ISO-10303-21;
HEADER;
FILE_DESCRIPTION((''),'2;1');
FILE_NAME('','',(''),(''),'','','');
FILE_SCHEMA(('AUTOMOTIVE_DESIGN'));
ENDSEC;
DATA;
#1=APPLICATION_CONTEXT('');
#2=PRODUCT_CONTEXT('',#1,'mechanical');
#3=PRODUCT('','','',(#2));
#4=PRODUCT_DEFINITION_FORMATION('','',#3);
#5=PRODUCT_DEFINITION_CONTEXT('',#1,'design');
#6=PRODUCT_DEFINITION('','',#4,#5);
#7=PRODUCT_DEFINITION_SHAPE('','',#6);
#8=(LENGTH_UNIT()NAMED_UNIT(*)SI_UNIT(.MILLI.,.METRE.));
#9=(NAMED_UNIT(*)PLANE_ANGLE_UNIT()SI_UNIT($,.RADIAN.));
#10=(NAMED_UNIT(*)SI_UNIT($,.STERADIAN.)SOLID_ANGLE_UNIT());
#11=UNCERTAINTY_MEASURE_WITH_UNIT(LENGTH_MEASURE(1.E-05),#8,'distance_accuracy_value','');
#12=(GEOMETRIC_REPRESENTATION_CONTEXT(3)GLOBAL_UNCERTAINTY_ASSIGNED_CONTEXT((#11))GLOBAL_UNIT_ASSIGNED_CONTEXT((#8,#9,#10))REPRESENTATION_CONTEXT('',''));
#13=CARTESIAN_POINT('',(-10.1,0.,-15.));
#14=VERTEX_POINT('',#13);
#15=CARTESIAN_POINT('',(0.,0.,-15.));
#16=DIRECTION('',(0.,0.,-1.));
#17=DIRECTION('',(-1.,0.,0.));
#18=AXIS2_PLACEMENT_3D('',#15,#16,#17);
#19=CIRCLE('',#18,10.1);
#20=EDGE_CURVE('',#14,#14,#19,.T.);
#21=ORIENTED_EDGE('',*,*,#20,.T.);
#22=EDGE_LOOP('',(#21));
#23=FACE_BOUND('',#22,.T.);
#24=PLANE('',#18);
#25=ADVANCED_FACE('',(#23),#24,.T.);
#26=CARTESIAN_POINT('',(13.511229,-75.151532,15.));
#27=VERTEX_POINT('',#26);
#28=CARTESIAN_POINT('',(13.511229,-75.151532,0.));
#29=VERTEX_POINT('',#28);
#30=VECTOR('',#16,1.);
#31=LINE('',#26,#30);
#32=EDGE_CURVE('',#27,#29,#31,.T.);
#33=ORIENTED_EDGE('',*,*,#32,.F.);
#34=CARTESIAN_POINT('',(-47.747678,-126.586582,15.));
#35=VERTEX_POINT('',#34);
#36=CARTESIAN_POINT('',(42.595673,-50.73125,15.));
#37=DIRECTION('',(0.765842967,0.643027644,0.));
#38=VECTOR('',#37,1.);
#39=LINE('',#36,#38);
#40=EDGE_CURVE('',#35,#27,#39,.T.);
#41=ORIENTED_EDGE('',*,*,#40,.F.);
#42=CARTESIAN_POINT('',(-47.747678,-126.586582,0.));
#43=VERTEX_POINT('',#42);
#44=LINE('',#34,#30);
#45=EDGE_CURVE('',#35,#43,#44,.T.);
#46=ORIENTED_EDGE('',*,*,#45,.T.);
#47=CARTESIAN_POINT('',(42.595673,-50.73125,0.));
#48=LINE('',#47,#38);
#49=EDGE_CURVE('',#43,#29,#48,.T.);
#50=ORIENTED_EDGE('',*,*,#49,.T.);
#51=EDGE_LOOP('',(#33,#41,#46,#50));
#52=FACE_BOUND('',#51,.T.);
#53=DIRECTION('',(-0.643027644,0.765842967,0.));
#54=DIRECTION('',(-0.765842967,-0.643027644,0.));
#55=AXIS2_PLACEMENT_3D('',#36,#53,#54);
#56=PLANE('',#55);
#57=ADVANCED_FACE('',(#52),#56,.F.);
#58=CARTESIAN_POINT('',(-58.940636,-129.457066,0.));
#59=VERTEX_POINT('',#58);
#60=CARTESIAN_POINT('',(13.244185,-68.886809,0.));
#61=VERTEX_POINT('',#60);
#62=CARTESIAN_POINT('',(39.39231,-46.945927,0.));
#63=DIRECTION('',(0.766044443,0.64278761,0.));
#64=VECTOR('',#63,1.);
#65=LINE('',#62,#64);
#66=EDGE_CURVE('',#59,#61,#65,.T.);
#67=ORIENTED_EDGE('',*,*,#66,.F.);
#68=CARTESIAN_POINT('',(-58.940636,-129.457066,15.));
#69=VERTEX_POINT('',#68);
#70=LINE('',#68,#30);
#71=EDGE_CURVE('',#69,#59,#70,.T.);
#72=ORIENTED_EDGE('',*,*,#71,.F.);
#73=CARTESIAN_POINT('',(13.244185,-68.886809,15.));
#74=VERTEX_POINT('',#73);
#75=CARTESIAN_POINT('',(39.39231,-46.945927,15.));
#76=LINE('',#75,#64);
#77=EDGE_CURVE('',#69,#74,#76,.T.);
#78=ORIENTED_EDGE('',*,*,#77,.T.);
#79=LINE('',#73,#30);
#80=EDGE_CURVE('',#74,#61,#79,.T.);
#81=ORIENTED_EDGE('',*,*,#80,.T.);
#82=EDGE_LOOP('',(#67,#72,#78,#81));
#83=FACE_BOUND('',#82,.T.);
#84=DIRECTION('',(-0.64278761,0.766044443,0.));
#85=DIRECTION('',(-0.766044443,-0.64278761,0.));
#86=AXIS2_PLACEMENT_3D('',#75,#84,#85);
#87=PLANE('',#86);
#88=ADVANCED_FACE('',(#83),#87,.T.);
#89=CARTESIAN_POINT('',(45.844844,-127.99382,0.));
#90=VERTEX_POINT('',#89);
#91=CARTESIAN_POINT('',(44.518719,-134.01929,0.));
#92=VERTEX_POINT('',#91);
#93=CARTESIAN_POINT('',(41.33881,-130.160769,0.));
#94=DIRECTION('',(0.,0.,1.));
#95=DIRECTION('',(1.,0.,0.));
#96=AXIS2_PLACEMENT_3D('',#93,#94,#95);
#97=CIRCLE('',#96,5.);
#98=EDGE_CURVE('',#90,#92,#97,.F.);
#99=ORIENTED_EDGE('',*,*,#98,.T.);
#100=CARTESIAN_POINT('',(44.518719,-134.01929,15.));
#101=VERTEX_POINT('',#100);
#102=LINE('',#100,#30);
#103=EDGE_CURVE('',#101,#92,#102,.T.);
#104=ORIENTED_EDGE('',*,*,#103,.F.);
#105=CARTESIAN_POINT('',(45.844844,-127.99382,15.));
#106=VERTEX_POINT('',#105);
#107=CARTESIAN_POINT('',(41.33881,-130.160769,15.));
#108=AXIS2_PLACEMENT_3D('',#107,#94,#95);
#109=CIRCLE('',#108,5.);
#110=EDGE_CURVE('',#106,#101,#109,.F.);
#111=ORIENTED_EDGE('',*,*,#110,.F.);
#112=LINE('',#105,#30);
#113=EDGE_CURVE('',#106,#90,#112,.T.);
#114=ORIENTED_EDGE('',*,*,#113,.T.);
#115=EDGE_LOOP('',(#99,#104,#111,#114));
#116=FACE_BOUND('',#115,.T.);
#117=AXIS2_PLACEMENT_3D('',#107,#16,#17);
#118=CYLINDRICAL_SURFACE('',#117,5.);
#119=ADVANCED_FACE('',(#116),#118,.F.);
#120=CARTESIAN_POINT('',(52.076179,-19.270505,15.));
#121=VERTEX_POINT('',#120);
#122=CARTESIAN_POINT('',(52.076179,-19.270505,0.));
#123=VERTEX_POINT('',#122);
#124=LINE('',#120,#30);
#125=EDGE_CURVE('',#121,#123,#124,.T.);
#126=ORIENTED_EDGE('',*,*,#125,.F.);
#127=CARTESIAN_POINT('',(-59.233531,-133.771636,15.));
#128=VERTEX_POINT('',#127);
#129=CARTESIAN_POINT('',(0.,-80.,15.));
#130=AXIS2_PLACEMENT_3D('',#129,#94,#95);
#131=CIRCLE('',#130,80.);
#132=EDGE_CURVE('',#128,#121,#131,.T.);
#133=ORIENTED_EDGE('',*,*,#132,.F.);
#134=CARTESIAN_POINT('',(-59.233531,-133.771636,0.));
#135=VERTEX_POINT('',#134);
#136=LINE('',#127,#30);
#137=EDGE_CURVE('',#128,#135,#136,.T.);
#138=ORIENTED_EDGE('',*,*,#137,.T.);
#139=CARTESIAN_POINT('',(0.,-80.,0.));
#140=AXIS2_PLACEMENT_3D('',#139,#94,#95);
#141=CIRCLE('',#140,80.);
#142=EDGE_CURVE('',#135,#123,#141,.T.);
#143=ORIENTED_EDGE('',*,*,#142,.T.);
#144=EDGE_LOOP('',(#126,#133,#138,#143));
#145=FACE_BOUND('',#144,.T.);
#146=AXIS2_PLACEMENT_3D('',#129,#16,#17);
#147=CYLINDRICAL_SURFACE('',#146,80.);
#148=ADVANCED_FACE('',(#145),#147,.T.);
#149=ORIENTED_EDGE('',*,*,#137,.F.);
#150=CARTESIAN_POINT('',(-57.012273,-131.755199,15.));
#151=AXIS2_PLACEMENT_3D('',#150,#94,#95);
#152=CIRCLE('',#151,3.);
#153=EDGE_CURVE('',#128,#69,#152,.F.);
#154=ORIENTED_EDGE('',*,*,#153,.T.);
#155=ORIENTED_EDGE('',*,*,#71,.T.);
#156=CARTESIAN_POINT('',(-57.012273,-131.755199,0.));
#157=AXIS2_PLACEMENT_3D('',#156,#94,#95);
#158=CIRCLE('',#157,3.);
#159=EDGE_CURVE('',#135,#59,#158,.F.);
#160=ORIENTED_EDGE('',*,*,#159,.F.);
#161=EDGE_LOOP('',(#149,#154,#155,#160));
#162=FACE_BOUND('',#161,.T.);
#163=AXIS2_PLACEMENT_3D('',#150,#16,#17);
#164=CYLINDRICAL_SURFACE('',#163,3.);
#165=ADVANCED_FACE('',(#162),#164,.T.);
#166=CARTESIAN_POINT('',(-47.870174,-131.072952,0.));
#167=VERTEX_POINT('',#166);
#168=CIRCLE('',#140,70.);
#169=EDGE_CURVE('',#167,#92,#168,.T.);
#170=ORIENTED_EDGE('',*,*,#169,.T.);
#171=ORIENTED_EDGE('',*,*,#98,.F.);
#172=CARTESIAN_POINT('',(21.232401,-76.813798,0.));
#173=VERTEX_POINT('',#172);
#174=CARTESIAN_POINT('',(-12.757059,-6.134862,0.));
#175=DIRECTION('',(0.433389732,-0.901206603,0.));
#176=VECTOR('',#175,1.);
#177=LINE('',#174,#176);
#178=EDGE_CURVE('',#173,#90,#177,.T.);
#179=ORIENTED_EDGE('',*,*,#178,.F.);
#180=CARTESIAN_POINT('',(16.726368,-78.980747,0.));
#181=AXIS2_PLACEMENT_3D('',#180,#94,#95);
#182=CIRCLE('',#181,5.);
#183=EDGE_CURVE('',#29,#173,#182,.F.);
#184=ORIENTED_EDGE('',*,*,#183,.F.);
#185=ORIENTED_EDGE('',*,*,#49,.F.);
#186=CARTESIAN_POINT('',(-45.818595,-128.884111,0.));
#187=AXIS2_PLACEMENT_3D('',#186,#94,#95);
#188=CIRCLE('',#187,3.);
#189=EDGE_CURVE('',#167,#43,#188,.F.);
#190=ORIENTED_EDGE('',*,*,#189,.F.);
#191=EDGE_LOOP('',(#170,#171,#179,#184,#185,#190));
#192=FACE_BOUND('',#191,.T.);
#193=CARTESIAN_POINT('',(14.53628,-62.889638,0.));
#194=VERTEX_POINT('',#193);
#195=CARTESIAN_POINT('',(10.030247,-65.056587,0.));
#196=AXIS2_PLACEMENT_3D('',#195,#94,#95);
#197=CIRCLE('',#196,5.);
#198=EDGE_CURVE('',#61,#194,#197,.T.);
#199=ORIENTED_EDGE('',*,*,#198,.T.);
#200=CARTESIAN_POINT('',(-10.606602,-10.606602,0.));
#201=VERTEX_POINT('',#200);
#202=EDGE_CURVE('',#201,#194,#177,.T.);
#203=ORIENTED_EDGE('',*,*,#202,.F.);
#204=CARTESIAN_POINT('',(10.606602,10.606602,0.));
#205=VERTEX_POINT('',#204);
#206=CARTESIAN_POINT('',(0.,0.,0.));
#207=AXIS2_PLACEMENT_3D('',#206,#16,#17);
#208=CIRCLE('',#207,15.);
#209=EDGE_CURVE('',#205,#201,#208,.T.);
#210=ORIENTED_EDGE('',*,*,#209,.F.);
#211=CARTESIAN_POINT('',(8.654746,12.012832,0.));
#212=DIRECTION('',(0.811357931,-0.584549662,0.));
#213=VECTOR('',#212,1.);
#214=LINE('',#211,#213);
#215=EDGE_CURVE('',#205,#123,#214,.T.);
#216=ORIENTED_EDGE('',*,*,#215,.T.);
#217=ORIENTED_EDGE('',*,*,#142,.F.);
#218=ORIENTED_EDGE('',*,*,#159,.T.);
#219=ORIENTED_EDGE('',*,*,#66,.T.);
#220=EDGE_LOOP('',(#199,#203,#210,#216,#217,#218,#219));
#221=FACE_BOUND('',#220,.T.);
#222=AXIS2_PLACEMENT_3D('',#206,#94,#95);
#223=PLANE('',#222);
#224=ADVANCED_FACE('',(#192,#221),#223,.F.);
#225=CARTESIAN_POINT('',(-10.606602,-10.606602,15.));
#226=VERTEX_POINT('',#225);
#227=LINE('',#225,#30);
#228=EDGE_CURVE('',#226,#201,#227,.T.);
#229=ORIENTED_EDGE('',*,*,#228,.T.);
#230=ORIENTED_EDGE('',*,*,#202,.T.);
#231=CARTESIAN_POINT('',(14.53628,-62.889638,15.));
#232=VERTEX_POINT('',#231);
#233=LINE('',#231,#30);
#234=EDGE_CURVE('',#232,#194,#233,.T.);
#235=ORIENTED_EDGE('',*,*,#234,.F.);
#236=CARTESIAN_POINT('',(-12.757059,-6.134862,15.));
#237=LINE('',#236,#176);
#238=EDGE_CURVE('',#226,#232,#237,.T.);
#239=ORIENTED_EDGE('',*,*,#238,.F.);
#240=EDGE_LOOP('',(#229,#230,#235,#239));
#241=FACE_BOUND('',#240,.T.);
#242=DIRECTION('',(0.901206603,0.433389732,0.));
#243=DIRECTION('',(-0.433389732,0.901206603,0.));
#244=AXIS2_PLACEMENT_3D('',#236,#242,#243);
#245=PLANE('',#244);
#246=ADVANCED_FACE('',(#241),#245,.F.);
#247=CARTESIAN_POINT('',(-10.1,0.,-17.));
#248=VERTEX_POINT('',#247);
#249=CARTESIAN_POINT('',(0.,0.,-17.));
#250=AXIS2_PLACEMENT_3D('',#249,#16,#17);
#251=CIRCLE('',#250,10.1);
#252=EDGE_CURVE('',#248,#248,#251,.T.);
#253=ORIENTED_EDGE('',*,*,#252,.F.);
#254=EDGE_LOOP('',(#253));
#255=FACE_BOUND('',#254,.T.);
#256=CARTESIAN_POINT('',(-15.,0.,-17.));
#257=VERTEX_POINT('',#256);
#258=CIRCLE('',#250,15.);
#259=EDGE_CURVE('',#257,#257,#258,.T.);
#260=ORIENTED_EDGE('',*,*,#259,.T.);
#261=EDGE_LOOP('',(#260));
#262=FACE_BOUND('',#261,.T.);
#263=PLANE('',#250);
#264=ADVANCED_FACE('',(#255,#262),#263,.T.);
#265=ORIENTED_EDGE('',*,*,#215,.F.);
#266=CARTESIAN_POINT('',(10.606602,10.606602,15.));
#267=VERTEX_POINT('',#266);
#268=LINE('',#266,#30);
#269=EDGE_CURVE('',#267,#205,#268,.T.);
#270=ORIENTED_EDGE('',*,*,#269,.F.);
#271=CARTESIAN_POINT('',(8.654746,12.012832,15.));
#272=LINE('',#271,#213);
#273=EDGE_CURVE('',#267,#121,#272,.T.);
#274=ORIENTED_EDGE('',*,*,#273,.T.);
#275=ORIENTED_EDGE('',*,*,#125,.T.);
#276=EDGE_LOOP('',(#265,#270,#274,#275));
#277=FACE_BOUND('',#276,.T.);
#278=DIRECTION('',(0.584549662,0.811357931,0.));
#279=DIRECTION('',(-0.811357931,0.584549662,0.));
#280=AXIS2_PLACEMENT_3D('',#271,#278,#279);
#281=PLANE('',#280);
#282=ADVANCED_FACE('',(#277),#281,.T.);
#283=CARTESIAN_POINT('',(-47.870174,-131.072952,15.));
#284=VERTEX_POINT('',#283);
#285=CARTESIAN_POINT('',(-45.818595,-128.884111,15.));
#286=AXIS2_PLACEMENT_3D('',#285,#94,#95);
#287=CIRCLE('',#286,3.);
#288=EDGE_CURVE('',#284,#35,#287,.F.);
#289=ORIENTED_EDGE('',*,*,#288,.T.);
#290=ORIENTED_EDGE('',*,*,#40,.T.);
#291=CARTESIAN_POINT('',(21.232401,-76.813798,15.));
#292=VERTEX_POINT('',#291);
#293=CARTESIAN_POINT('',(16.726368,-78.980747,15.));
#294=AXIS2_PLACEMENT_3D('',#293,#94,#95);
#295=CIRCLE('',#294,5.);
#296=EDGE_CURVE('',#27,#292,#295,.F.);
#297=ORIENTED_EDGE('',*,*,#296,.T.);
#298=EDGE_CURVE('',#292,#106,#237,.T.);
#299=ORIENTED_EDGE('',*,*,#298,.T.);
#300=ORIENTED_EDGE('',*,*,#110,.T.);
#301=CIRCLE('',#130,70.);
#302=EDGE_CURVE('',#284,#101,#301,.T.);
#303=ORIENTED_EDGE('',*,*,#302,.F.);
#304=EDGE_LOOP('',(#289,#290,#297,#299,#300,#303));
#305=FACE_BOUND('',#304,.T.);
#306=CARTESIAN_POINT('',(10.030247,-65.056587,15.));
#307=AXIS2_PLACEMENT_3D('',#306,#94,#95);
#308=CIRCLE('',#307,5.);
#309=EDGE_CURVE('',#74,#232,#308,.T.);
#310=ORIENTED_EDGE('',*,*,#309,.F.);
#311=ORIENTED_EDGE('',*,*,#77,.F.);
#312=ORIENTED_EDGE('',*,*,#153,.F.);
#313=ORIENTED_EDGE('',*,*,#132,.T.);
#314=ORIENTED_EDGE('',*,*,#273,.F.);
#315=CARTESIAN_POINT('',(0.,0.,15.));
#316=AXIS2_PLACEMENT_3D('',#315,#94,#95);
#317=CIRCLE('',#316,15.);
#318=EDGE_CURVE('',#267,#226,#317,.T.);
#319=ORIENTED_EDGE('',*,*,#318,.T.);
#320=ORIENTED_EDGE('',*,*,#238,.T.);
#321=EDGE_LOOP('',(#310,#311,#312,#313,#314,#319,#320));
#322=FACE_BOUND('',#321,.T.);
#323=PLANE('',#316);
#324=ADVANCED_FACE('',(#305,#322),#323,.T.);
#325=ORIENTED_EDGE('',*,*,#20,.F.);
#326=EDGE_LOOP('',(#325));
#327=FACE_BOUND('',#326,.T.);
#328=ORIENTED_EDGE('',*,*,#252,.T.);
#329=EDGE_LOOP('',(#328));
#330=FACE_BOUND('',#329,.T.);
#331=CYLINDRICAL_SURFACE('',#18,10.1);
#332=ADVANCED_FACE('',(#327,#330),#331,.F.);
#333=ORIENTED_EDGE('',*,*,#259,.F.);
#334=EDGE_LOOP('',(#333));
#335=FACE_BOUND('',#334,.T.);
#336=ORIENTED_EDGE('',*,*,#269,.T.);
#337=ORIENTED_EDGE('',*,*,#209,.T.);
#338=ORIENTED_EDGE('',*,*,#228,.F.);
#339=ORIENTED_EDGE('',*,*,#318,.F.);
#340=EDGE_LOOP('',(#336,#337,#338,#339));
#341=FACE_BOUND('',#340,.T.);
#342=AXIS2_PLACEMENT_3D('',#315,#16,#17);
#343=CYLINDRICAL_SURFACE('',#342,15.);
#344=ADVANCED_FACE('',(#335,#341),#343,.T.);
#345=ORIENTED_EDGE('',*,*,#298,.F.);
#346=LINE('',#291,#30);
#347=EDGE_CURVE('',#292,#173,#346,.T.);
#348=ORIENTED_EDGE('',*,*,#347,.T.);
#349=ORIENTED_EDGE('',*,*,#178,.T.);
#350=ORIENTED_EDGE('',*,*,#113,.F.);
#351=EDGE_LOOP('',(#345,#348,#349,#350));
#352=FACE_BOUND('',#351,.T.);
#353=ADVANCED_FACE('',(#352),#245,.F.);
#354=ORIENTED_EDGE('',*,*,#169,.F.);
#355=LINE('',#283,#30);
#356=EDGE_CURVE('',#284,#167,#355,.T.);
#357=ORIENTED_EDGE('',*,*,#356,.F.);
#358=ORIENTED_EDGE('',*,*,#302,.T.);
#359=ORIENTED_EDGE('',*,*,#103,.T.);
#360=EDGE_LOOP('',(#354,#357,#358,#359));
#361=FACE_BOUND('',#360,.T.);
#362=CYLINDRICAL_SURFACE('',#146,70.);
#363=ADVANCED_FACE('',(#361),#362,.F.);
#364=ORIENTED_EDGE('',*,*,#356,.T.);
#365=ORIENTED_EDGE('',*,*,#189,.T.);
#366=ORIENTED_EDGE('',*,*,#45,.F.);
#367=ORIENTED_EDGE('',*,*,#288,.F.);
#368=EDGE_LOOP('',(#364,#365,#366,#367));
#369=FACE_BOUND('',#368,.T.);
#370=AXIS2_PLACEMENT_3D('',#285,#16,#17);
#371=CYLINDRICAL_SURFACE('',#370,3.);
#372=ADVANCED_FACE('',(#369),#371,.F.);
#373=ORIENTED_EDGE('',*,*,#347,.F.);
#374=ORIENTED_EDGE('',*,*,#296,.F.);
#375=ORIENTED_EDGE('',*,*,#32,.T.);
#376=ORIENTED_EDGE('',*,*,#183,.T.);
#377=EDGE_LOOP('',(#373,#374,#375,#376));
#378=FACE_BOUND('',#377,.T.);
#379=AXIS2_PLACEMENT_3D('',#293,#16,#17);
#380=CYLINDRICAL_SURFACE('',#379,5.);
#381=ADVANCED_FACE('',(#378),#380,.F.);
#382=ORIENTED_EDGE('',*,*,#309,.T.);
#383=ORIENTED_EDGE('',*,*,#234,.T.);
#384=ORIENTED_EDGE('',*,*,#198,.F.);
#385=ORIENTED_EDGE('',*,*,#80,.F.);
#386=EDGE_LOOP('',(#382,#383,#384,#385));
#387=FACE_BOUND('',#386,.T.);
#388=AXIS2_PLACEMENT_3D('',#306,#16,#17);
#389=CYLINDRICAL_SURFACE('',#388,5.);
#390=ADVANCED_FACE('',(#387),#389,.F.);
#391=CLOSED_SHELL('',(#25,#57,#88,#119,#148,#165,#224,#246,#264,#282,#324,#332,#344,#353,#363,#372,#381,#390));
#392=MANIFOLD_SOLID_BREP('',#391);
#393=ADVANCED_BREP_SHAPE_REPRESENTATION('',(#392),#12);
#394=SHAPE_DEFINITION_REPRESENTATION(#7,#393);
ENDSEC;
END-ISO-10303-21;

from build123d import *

# Parameters (mm, degrees)
EXTRUDE_1_DEPTH     = 15
EXTRUDE_START       = 17
SKETCH_9_R          = 15
EXTRUDE_3_DEPTH     = 17
SKETCH_10_R         = 10.1
CUT_EXTRUDE_4_DEPTH = 2


with BuildPart() as part:
    # ｽｹｯﾁ4 → ﾎﾞｽ - 押し出し1 (new body)
    with BuildSketch(Plane.XY):
        with BuildLine():
            Line((-53.623111018, -124.995132678), (-58.940636287, -129.45706617))
            ThreePointArc((-58.940636287, -129.45706617), (-60.005384698, -131.552012131), (-59.233530865, -133.771635843))
            ThreePointArc((-59.233530865, -133.771635843), (57.362306223, -135.763481103), (52.076178918, -19.270504783))
            Line((52.076178918, -19.270504783), (10.606601718, 10.606601718))
            ThreePointArc((10.606601718, 10.606601718), (-10.606601718, 10.606601718), (-10.606601718, -10.606601718))
            Line((-10.606601718, -10.606601718), (14.536280154, -62.889638219))
            ThreePointArc((14.536280154, -62.889638219), (14.918089499, -66.109676181), (13.244185189, -68.886809092))
            Line((13.244185189, -68.886809092), (-53.623111018, -124.995132678))
        make_face()
        with BuildLine():
            Line((21.232400696, -76.813798404), (45.844843506, -127.993820346))
            ThreePointArc((45.844843506, -127.993820346), (46.221944165, -131.235480845), (44.518718993, -134.019289696))
            ThreePointArc((44.518718993, -134.019289696), (-2.231208213, -149.964431749), (-47.870174388, -131.072951785))
            ThreePointArc((-47.870174388, -131.072951785), (-48.817477846, -128.802229421), (-47.747678417, -126.586582094))
            Line((-47.747678417, -126.586582094), (13.511229465, -75.151532228))
            ThreePointArc((13.511229465, -75.151532228), (17.77869109, -74.092739753), (21.232400696, -76.813798404))
        make_face(mode=Mode.SUBTRACT)
    extrude(amount=EXTRUDE_1_DEPTH)

    # ｽｹｯﾁ9 → ﾎﾞｽ - 押し出し3 (add)
    with BuildSketch(Plane(origin=(0, 0, 0), x_dir=(-1, 0, 0), z_dir=(0, 0, -1)).offset(EXTRUDE_START)):
        Circle(SKETCH_9_R)
    extrude(amount=-EXTRUDE_3_DEPTH)

    # ｽｹｯﾁ10 → ｶｯﾄ - 押し出し4 (cut)
    with BuildSketch(Plane(origin=(0, 0, -17), x_dir=(-1, 0, 0), z_dir=(0, 0, -1))):
        Circle(SKETCH_10_R)
    extrude(amount=-CUT_EXTRUDE_4_DEPTH, mode=Mode.SUBTRACT)


solid = part.part
